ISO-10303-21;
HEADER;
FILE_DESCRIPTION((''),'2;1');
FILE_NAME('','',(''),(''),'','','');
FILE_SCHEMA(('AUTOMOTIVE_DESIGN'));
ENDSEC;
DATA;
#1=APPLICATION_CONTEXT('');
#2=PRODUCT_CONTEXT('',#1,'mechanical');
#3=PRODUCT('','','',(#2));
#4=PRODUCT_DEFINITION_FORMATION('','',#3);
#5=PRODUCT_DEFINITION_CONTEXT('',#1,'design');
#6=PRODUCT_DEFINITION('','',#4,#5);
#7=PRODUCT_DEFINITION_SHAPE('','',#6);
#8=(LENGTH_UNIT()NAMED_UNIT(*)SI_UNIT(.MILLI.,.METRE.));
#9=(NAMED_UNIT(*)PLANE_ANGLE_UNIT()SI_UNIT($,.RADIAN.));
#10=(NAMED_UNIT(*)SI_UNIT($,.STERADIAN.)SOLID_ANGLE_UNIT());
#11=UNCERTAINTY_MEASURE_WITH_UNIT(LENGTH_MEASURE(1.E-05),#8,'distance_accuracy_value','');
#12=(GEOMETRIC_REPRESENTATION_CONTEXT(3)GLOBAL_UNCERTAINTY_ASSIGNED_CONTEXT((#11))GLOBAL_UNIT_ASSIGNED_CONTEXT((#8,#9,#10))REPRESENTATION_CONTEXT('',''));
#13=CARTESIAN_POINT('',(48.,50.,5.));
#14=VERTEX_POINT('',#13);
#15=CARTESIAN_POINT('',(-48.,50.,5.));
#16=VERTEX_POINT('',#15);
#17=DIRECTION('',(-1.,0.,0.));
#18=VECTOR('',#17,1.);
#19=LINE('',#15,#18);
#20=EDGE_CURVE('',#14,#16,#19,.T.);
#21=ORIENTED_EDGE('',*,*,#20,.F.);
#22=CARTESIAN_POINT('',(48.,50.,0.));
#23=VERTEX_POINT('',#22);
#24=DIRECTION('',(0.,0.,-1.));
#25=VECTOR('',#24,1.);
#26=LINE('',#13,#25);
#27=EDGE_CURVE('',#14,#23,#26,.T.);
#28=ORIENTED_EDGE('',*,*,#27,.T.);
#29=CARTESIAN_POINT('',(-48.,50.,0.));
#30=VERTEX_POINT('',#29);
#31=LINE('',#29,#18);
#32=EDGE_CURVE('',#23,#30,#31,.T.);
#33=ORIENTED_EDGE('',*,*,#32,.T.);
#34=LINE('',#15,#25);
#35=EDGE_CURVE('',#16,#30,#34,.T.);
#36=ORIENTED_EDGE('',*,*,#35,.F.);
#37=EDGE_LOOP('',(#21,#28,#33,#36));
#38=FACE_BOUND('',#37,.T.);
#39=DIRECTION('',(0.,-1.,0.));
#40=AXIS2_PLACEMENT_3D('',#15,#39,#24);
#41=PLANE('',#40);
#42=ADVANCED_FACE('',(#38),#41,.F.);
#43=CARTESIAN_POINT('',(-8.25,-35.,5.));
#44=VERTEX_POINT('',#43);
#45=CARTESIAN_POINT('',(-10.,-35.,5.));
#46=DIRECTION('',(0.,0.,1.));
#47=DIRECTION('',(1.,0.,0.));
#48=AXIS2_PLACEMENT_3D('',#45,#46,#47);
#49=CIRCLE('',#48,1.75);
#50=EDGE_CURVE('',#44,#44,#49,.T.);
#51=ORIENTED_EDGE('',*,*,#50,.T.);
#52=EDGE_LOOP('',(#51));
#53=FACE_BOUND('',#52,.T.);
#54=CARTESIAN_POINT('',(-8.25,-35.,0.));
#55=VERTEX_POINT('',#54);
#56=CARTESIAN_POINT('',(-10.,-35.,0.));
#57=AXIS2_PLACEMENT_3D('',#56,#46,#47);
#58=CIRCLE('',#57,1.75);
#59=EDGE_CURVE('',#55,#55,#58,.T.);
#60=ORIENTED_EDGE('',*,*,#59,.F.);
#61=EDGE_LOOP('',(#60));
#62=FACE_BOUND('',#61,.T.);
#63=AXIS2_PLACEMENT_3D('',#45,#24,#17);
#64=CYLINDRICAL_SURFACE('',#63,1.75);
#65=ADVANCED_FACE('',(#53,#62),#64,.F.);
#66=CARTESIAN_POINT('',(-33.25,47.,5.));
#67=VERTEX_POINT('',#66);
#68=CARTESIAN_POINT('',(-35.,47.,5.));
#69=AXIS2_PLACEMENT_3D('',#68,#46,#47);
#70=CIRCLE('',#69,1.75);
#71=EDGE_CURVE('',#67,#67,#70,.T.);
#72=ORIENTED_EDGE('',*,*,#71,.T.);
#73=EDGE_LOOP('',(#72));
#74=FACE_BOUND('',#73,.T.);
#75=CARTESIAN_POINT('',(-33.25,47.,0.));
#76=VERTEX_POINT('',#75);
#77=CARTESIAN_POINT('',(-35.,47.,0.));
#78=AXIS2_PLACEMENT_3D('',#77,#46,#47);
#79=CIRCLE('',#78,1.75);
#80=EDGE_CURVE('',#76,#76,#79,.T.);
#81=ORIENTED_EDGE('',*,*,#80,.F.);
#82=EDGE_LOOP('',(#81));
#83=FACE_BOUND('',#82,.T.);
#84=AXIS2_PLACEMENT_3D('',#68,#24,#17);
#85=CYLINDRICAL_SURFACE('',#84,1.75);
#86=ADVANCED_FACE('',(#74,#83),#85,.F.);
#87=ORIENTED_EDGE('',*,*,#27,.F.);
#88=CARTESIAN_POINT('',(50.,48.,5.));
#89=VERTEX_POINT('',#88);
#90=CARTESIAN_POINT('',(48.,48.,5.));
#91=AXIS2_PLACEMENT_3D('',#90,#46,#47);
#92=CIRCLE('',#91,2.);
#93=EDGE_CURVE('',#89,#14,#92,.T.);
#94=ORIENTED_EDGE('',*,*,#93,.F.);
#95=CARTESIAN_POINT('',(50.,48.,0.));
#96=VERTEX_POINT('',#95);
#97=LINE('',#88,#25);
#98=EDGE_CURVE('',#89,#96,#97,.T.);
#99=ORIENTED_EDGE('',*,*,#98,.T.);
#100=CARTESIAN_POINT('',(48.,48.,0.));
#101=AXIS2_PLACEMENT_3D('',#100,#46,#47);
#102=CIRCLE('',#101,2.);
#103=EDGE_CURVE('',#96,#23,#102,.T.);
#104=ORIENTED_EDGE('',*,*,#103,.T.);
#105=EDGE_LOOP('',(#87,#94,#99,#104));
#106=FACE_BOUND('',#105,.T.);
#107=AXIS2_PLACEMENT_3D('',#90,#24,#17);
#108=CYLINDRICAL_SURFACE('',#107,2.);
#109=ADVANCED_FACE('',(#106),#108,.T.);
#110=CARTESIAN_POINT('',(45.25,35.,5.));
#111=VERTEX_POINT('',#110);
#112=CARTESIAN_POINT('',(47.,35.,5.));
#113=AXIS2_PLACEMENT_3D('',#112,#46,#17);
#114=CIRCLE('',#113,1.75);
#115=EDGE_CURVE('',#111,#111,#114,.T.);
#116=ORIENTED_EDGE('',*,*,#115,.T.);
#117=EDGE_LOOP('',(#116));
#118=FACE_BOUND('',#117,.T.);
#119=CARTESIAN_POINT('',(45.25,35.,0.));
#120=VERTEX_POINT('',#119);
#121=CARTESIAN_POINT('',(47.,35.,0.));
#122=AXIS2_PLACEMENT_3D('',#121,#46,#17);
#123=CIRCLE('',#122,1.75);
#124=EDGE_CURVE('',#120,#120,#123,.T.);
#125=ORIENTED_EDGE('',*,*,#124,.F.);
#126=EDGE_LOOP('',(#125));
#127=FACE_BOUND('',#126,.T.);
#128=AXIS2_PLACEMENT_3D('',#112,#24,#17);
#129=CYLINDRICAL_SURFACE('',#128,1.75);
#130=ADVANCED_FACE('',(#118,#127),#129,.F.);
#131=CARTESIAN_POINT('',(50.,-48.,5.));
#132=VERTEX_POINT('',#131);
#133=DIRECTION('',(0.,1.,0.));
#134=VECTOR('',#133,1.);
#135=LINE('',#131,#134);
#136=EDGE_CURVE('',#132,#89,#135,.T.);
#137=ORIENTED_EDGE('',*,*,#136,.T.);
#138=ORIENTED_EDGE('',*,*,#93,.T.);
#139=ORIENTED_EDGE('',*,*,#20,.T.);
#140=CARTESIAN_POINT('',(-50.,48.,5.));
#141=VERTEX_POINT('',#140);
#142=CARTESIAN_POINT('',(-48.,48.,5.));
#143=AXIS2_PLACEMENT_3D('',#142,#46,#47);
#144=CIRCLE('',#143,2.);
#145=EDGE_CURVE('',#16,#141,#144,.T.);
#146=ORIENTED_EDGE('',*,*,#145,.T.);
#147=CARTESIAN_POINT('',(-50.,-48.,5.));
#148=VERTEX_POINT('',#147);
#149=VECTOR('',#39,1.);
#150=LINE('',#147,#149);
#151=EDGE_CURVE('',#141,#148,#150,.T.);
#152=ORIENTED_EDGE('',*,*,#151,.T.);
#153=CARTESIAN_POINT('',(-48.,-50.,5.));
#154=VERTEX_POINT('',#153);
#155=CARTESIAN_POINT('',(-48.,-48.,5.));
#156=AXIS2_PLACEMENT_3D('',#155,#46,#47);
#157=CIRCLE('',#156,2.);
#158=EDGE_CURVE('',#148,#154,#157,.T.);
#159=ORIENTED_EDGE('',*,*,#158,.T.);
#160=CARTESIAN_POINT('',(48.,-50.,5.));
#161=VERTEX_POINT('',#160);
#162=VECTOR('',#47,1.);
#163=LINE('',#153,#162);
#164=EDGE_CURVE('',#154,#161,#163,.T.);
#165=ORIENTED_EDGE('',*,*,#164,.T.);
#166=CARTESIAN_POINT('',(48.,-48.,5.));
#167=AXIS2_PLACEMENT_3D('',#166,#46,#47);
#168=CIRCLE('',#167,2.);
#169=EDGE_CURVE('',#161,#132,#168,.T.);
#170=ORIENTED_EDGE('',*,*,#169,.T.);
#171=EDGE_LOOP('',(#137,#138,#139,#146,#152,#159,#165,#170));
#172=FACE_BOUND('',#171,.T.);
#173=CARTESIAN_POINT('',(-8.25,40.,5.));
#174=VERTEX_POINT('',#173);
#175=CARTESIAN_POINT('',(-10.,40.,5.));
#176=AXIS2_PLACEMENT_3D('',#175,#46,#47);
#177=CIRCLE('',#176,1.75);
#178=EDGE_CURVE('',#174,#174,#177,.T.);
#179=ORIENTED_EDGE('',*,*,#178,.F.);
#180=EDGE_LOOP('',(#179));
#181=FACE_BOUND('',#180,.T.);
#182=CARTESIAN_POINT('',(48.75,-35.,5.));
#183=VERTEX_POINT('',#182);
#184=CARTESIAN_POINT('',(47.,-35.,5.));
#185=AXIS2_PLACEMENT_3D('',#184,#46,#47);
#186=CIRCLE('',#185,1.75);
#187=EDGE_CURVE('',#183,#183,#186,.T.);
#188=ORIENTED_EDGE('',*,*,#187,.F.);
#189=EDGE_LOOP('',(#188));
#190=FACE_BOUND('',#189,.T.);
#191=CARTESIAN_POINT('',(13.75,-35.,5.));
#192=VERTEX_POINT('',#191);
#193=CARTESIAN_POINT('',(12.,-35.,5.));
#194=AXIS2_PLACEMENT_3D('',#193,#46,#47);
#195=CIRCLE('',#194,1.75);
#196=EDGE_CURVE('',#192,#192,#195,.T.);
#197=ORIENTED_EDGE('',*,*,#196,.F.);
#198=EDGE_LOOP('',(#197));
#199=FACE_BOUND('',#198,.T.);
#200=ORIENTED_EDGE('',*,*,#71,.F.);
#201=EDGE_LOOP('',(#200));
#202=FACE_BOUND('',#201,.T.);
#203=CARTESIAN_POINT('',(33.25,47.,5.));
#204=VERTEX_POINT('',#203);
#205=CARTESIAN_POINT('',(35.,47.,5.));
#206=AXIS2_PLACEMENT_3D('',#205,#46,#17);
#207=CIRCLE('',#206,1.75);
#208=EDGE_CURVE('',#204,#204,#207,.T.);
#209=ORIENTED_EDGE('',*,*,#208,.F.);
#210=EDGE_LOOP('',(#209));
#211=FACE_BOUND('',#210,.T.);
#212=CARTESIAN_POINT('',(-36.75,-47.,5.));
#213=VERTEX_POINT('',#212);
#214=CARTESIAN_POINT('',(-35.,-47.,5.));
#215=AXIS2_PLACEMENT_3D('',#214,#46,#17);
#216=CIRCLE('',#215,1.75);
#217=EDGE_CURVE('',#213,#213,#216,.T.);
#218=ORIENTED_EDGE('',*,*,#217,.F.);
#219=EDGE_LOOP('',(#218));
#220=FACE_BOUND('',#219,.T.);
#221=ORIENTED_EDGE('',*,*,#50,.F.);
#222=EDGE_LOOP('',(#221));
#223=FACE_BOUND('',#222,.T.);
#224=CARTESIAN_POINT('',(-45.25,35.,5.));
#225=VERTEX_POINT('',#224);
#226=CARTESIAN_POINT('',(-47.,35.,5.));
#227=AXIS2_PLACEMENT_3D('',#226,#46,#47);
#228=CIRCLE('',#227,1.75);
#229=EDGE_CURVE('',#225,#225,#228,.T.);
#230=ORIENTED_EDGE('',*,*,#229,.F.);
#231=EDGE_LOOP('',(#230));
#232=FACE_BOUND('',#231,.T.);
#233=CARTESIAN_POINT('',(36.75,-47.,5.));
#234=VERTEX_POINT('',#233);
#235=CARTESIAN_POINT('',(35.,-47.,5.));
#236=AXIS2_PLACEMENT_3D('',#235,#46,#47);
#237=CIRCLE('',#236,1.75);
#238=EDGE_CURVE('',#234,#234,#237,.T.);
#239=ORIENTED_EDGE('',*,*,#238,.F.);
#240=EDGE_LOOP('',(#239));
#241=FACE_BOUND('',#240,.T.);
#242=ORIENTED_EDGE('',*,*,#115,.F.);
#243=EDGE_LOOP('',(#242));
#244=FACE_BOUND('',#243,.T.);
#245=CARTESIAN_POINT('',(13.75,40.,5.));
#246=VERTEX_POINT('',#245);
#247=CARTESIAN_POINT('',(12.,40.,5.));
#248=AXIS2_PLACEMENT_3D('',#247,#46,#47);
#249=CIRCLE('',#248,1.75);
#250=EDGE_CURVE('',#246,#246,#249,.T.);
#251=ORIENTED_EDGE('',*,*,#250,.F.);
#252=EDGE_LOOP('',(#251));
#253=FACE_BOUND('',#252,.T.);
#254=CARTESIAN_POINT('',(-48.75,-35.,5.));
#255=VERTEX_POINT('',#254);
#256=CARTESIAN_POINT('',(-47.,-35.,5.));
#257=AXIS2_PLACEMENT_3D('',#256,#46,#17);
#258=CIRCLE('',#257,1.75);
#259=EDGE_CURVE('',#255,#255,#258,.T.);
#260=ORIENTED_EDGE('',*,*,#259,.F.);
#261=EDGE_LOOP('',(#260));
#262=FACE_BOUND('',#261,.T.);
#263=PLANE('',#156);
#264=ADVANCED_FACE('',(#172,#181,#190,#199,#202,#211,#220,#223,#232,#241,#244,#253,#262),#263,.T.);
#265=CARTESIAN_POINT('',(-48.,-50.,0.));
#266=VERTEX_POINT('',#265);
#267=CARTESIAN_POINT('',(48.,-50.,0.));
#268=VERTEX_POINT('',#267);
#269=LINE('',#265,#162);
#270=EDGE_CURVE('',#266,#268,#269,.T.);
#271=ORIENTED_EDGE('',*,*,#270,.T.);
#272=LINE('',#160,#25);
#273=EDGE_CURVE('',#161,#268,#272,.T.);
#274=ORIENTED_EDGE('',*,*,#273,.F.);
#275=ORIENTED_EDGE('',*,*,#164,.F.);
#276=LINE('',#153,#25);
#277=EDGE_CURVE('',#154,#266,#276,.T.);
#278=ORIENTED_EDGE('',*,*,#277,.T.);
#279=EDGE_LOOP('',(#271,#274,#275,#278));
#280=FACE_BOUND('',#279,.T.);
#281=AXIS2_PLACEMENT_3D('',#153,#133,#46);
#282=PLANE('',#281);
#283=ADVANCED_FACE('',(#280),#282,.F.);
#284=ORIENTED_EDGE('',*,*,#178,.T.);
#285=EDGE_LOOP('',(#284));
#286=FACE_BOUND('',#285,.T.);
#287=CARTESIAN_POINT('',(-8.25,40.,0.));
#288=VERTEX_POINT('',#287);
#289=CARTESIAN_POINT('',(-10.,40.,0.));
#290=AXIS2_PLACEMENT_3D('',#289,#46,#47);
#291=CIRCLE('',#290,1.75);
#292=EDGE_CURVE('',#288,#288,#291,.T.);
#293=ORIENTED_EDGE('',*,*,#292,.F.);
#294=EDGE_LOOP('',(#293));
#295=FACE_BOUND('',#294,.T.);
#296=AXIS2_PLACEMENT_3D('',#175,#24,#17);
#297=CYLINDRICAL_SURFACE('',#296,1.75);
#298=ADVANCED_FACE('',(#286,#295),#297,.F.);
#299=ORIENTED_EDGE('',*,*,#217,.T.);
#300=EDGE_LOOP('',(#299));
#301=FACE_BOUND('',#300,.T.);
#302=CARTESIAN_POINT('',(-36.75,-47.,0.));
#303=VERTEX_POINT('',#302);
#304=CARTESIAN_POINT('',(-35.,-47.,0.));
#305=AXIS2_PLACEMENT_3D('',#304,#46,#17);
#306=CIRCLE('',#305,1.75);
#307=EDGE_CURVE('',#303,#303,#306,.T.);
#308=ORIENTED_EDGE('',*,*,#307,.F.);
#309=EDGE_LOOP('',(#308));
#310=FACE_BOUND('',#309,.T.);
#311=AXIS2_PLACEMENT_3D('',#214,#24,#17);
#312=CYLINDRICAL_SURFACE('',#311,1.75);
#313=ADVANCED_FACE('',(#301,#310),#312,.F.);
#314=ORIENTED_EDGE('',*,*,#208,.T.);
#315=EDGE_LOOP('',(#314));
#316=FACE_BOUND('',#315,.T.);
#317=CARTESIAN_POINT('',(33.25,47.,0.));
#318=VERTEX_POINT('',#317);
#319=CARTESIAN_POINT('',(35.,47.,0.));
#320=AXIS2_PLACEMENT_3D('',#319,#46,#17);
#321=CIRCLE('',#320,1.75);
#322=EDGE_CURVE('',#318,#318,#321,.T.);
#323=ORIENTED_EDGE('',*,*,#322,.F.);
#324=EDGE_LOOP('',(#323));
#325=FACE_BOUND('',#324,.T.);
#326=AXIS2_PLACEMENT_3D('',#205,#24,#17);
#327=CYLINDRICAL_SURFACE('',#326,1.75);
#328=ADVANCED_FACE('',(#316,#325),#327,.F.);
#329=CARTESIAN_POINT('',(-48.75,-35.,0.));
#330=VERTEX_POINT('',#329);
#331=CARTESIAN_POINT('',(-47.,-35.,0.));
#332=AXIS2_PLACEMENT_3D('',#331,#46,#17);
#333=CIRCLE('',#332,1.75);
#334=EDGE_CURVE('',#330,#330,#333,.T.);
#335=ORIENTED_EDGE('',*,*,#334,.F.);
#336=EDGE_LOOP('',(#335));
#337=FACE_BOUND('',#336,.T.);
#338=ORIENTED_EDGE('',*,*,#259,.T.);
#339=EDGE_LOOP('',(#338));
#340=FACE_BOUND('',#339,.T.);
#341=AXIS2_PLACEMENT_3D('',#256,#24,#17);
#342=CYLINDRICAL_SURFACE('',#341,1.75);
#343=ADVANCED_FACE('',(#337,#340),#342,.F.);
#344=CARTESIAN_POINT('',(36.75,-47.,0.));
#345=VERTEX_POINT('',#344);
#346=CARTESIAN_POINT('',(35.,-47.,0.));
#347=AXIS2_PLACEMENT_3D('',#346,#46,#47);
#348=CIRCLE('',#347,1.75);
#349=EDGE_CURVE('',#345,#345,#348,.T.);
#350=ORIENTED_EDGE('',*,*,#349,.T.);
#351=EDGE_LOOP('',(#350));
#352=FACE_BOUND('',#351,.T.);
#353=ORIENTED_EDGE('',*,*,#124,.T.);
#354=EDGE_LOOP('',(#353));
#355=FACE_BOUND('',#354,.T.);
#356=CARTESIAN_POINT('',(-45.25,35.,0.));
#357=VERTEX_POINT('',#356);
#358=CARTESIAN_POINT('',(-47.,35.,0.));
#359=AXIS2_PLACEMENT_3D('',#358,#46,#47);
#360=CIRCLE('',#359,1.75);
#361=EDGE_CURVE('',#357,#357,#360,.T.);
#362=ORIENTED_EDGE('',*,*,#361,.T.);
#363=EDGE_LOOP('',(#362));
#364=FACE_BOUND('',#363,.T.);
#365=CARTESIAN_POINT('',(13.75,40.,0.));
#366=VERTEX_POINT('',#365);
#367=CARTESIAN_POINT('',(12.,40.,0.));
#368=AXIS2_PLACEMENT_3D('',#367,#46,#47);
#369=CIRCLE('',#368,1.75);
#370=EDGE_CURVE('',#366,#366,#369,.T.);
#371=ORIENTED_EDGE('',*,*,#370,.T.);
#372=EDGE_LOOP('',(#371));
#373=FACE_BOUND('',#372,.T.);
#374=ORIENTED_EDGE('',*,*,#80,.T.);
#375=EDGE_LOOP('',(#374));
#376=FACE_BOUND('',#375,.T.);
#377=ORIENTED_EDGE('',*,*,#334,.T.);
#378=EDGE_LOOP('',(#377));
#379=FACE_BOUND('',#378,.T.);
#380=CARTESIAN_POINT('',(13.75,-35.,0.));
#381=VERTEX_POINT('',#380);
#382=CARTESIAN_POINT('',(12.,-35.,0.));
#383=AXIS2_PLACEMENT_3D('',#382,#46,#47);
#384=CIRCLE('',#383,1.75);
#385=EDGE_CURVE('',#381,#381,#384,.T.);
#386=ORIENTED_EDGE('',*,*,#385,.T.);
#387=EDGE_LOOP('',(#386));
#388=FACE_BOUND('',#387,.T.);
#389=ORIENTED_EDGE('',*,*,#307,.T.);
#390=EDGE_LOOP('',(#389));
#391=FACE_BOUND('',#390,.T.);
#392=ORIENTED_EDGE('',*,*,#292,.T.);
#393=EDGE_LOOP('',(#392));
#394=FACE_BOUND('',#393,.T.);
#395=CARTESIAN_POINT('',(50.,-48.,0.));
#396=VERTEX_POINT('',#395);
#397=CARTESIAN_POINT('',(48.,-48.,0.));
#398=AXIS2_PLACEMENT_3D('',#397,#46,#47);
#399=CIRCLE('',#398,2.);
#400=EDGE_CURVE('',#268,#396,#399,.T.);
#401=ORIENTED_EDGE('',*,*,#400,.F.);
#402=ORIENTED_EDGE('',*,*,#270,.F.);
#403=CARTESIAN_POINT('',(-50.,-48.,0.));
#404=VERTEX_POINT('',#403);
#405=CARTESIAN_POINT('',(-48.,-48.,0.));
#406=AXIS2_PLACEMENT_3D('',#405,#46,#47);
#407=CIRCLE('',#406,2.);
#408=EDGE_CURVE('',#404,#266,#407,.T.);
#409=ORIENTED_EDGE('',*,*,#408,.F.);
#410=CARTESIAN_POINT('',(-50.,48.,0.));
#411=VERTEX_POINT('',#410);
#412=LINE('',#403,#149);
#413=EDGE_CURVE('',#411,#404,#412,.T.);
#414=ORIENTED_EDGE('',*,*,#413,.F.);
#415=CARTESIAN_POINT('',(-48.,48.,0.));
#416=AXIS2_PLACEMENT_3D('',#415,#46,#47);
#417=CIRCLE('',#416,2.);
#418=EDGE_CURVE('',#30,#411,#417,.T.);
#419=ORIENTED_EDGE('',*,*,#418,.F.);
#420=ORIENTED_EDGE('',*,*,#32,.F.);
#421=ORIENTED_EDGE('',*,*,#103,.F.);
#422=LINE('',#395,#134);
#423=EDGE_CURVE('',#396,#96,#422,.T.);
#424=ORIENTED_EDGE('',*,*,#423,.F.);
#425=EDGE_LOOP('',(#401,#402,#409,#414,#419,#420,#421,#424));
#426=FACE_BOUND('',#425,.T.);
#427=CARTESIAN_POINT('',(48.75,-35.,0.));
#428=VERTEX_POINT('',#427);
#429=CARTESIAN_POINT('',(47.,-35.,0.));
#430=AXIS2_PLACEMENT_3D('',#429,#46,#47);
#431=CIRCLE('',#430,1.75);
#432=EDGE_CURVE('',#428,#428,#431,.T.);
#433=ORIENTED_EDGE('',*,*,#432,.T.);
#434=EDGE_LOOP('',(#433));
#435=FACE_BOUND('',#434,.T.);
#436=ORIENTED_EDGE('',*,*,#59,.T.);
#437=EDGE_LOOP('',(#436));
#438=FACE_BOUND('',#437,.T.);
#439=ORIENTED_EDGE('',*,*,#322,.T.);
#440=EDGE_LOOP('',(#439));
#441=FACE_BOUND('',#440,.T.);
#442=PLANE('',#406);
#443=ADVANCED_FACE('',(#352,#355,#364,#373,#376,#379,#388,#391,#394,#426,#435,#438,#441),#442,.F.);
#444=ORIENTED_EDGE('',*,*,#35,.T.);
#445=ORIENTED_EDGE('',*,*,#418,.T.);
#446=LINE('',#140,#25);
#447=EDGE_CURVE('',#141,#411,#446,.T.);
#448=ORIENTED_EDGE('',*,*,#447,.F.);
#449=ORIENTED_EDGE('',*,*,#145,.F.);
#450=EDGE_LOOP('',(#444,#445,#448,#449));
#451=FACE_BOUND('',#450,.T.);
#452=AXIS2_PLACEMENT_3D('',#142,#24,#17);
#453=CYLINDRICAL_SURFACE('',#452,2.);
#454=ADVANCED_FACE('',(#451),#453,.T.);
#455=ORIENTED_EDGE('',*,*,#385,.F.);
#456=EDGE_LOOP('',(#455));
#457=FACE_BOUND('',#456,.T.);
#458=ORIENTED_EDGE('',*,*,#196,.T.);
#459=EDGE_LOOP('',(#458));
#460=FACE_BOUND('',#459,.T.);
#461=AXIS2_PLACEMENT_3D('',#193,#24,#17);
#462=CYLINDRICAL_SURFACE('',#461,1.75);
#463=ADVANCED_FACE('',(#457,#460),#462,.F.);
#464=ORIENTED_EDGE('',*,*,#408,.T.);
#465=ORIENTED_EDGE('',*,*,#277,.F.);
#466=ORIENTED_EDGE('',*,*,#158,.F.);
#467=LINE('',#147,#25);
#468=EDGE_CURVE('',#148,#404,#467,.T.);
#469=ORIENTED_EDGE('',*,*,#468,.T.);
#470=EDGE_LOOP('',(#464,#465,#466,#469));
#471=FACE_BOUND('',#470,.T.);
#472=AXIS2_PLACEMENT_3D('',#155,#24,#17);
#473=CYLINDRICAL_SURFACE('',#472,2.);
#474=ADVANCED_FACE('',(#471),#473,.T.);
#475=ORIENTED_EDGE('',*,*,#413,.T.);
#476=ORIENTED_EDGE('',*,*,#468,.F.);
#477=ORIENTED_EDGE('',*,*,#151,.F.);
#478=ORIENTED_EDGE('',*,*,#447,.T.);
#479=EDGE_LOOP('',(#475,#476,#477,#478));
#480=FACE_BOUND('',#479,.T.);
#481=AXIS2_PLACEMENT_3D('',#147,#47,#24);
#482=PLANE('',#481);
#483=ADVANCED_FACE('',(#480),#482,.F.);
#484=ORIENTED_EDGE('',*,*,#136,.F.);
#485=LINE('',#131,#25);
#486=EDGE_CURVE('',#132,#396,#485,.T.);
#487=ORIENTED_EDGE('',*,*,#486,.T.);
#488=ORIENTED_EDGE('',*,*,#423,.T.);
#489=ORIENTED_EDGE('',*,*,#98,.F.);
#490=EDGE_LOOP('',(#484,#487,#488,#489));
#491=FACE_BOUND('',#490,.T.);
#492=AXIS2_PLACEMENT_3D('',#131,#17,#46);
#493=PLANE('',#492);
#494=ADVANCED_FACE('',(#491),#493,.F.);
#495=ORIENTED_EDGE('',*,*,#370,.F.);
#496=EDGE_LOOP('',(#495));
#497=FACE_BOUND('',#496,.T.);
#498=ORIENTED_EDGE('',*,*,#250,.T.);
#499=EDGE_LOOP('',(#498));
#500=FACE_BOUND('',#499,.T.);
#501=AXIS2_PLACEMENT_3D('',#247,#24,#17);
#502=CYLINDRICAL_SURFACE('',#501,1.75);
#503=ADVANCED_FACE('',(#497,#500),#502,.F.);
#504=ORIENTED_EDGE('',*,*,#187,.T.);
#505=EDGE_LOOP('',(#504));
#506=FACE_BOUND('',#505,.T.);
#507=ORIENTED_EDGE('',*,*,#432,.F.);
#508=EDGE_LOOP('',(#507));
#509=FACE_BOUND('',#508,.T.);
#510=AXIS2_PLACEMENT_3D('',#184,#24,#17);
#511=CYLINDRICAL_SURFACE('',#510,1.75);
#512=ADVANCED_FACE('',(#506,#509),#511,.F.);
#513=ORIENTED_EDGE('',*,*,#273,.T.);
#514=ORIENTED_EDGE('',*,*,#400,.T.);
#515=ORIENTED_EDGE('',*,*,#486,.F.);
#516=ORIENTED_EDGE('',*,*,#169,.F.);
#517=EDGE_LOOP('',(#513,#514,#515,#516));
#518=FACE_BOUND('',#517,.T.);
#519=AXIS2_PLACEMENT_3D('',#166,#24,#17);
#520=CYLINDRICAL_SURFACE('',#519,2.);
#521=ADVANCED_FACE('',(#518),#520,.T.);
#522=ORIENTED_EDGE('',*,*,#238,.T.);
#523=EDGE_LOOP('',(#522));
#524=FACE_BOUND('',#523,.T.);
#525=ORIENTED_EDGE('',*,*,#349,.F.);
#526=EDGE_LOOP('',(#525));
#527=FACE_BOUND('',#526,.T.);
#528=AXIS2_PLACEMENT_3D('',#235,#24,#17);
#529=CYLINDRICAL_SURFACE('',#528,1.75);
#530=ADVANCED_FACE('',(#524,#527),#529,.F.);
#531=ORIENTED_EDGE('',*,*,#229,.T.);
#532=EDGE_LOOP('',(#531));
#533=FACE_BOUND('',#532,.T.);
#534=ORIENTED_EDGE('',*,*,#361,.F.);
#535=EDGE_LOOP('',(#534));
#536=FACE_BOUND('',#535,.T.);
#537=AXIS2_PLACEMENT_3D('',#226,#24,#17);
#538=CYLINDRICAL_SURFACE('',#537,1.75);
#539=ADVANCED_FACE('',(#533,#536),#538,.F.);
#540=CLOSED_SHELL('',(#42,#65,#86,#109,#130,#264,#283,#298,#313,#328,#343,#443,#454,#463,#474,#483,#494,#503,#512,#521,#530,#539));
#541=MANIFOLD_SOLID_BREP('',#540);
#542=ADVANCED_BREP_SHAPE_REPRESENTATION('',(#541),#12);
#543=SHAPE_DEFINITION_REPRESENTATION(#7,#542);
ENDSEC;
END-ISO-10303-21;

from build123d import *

# Parameters (mm, degrees)
SKETCH_1_R      = 1.75
EXTRUDE_1_DEPTH = 5


with BuildPart() as part:
    # Эскиз1 → Бобышка-Вытянуть1 (new body)
    with BuildSketch(Plane.XY):
        with BuildLine():
            Line((-48, -50), (48, -50))
            ThreePointArc((48, -50), (49.414213562, -49.414213562), (50, -48))
            Line((50, -48), (50, 48))
            ThreePointArc((50, 48), (49.414213562, 49.414213562), (48, 50))
            Line((48, 50), (-48, 50))
            ThreePointArc((-48, 50), (-49.414213562, 49.414213562), (-50, 48))
            Line((-50, 48), (-50, -48))
            ThreePointArc((-50, -48), (-49.414213562, -49.414213562), (-48, -50))
        make_face()
        with Locations((-47, 35)):
            Circle(SKETCH_1_R, mode=Mode.SUBTRACT)
        with Locations((47, 35)):
            Circle(SKETCH_1_R, mode=Mode.SUBTRACT)
        with Locations((47, -35)):
            Circle(SKETCH_1_R, mode=Mode.SUBTRACT)
        with Locations((-47, -35)):
            Circle(SKETCH_1_R, mode=Mode.SUBTRACT)
        with Locations((-35, 47)):
            Circle(SKETCH_1_R, mode=Mode.SUBTRACT)
        with Locations((35, 47)):
            Circle(SKETCH_1_R, mode=Mode.SUBTRACT)
        with Locations((-35, -47)):
            Circle(SKETCH_1_R, mode=Mode.SUBTRACT)
        with Locations((35, -47)):
            Circle(SKETCH_1_R, mode=Mode.SUBTRACT)
        with Locations((-10, 40)):
            Circle(SKETCH_1_R, mode=Mode.SUBTRACT)
        with Locations((12, 40)):
            Circle(SKETCH_1_R, mode=Mode.SUBTRACT)
        with Locations((-10, -35)):
            Circle(SKETCH_1_R, mode=Mode.SUBTRACT)
        with Locations((12, -35)):
            Circle(SKETCH_1_R, mode=Mode.SUBTRACT)
    extrude(amount=EXTRUDE_1_DEPTH)


solid = part.part
